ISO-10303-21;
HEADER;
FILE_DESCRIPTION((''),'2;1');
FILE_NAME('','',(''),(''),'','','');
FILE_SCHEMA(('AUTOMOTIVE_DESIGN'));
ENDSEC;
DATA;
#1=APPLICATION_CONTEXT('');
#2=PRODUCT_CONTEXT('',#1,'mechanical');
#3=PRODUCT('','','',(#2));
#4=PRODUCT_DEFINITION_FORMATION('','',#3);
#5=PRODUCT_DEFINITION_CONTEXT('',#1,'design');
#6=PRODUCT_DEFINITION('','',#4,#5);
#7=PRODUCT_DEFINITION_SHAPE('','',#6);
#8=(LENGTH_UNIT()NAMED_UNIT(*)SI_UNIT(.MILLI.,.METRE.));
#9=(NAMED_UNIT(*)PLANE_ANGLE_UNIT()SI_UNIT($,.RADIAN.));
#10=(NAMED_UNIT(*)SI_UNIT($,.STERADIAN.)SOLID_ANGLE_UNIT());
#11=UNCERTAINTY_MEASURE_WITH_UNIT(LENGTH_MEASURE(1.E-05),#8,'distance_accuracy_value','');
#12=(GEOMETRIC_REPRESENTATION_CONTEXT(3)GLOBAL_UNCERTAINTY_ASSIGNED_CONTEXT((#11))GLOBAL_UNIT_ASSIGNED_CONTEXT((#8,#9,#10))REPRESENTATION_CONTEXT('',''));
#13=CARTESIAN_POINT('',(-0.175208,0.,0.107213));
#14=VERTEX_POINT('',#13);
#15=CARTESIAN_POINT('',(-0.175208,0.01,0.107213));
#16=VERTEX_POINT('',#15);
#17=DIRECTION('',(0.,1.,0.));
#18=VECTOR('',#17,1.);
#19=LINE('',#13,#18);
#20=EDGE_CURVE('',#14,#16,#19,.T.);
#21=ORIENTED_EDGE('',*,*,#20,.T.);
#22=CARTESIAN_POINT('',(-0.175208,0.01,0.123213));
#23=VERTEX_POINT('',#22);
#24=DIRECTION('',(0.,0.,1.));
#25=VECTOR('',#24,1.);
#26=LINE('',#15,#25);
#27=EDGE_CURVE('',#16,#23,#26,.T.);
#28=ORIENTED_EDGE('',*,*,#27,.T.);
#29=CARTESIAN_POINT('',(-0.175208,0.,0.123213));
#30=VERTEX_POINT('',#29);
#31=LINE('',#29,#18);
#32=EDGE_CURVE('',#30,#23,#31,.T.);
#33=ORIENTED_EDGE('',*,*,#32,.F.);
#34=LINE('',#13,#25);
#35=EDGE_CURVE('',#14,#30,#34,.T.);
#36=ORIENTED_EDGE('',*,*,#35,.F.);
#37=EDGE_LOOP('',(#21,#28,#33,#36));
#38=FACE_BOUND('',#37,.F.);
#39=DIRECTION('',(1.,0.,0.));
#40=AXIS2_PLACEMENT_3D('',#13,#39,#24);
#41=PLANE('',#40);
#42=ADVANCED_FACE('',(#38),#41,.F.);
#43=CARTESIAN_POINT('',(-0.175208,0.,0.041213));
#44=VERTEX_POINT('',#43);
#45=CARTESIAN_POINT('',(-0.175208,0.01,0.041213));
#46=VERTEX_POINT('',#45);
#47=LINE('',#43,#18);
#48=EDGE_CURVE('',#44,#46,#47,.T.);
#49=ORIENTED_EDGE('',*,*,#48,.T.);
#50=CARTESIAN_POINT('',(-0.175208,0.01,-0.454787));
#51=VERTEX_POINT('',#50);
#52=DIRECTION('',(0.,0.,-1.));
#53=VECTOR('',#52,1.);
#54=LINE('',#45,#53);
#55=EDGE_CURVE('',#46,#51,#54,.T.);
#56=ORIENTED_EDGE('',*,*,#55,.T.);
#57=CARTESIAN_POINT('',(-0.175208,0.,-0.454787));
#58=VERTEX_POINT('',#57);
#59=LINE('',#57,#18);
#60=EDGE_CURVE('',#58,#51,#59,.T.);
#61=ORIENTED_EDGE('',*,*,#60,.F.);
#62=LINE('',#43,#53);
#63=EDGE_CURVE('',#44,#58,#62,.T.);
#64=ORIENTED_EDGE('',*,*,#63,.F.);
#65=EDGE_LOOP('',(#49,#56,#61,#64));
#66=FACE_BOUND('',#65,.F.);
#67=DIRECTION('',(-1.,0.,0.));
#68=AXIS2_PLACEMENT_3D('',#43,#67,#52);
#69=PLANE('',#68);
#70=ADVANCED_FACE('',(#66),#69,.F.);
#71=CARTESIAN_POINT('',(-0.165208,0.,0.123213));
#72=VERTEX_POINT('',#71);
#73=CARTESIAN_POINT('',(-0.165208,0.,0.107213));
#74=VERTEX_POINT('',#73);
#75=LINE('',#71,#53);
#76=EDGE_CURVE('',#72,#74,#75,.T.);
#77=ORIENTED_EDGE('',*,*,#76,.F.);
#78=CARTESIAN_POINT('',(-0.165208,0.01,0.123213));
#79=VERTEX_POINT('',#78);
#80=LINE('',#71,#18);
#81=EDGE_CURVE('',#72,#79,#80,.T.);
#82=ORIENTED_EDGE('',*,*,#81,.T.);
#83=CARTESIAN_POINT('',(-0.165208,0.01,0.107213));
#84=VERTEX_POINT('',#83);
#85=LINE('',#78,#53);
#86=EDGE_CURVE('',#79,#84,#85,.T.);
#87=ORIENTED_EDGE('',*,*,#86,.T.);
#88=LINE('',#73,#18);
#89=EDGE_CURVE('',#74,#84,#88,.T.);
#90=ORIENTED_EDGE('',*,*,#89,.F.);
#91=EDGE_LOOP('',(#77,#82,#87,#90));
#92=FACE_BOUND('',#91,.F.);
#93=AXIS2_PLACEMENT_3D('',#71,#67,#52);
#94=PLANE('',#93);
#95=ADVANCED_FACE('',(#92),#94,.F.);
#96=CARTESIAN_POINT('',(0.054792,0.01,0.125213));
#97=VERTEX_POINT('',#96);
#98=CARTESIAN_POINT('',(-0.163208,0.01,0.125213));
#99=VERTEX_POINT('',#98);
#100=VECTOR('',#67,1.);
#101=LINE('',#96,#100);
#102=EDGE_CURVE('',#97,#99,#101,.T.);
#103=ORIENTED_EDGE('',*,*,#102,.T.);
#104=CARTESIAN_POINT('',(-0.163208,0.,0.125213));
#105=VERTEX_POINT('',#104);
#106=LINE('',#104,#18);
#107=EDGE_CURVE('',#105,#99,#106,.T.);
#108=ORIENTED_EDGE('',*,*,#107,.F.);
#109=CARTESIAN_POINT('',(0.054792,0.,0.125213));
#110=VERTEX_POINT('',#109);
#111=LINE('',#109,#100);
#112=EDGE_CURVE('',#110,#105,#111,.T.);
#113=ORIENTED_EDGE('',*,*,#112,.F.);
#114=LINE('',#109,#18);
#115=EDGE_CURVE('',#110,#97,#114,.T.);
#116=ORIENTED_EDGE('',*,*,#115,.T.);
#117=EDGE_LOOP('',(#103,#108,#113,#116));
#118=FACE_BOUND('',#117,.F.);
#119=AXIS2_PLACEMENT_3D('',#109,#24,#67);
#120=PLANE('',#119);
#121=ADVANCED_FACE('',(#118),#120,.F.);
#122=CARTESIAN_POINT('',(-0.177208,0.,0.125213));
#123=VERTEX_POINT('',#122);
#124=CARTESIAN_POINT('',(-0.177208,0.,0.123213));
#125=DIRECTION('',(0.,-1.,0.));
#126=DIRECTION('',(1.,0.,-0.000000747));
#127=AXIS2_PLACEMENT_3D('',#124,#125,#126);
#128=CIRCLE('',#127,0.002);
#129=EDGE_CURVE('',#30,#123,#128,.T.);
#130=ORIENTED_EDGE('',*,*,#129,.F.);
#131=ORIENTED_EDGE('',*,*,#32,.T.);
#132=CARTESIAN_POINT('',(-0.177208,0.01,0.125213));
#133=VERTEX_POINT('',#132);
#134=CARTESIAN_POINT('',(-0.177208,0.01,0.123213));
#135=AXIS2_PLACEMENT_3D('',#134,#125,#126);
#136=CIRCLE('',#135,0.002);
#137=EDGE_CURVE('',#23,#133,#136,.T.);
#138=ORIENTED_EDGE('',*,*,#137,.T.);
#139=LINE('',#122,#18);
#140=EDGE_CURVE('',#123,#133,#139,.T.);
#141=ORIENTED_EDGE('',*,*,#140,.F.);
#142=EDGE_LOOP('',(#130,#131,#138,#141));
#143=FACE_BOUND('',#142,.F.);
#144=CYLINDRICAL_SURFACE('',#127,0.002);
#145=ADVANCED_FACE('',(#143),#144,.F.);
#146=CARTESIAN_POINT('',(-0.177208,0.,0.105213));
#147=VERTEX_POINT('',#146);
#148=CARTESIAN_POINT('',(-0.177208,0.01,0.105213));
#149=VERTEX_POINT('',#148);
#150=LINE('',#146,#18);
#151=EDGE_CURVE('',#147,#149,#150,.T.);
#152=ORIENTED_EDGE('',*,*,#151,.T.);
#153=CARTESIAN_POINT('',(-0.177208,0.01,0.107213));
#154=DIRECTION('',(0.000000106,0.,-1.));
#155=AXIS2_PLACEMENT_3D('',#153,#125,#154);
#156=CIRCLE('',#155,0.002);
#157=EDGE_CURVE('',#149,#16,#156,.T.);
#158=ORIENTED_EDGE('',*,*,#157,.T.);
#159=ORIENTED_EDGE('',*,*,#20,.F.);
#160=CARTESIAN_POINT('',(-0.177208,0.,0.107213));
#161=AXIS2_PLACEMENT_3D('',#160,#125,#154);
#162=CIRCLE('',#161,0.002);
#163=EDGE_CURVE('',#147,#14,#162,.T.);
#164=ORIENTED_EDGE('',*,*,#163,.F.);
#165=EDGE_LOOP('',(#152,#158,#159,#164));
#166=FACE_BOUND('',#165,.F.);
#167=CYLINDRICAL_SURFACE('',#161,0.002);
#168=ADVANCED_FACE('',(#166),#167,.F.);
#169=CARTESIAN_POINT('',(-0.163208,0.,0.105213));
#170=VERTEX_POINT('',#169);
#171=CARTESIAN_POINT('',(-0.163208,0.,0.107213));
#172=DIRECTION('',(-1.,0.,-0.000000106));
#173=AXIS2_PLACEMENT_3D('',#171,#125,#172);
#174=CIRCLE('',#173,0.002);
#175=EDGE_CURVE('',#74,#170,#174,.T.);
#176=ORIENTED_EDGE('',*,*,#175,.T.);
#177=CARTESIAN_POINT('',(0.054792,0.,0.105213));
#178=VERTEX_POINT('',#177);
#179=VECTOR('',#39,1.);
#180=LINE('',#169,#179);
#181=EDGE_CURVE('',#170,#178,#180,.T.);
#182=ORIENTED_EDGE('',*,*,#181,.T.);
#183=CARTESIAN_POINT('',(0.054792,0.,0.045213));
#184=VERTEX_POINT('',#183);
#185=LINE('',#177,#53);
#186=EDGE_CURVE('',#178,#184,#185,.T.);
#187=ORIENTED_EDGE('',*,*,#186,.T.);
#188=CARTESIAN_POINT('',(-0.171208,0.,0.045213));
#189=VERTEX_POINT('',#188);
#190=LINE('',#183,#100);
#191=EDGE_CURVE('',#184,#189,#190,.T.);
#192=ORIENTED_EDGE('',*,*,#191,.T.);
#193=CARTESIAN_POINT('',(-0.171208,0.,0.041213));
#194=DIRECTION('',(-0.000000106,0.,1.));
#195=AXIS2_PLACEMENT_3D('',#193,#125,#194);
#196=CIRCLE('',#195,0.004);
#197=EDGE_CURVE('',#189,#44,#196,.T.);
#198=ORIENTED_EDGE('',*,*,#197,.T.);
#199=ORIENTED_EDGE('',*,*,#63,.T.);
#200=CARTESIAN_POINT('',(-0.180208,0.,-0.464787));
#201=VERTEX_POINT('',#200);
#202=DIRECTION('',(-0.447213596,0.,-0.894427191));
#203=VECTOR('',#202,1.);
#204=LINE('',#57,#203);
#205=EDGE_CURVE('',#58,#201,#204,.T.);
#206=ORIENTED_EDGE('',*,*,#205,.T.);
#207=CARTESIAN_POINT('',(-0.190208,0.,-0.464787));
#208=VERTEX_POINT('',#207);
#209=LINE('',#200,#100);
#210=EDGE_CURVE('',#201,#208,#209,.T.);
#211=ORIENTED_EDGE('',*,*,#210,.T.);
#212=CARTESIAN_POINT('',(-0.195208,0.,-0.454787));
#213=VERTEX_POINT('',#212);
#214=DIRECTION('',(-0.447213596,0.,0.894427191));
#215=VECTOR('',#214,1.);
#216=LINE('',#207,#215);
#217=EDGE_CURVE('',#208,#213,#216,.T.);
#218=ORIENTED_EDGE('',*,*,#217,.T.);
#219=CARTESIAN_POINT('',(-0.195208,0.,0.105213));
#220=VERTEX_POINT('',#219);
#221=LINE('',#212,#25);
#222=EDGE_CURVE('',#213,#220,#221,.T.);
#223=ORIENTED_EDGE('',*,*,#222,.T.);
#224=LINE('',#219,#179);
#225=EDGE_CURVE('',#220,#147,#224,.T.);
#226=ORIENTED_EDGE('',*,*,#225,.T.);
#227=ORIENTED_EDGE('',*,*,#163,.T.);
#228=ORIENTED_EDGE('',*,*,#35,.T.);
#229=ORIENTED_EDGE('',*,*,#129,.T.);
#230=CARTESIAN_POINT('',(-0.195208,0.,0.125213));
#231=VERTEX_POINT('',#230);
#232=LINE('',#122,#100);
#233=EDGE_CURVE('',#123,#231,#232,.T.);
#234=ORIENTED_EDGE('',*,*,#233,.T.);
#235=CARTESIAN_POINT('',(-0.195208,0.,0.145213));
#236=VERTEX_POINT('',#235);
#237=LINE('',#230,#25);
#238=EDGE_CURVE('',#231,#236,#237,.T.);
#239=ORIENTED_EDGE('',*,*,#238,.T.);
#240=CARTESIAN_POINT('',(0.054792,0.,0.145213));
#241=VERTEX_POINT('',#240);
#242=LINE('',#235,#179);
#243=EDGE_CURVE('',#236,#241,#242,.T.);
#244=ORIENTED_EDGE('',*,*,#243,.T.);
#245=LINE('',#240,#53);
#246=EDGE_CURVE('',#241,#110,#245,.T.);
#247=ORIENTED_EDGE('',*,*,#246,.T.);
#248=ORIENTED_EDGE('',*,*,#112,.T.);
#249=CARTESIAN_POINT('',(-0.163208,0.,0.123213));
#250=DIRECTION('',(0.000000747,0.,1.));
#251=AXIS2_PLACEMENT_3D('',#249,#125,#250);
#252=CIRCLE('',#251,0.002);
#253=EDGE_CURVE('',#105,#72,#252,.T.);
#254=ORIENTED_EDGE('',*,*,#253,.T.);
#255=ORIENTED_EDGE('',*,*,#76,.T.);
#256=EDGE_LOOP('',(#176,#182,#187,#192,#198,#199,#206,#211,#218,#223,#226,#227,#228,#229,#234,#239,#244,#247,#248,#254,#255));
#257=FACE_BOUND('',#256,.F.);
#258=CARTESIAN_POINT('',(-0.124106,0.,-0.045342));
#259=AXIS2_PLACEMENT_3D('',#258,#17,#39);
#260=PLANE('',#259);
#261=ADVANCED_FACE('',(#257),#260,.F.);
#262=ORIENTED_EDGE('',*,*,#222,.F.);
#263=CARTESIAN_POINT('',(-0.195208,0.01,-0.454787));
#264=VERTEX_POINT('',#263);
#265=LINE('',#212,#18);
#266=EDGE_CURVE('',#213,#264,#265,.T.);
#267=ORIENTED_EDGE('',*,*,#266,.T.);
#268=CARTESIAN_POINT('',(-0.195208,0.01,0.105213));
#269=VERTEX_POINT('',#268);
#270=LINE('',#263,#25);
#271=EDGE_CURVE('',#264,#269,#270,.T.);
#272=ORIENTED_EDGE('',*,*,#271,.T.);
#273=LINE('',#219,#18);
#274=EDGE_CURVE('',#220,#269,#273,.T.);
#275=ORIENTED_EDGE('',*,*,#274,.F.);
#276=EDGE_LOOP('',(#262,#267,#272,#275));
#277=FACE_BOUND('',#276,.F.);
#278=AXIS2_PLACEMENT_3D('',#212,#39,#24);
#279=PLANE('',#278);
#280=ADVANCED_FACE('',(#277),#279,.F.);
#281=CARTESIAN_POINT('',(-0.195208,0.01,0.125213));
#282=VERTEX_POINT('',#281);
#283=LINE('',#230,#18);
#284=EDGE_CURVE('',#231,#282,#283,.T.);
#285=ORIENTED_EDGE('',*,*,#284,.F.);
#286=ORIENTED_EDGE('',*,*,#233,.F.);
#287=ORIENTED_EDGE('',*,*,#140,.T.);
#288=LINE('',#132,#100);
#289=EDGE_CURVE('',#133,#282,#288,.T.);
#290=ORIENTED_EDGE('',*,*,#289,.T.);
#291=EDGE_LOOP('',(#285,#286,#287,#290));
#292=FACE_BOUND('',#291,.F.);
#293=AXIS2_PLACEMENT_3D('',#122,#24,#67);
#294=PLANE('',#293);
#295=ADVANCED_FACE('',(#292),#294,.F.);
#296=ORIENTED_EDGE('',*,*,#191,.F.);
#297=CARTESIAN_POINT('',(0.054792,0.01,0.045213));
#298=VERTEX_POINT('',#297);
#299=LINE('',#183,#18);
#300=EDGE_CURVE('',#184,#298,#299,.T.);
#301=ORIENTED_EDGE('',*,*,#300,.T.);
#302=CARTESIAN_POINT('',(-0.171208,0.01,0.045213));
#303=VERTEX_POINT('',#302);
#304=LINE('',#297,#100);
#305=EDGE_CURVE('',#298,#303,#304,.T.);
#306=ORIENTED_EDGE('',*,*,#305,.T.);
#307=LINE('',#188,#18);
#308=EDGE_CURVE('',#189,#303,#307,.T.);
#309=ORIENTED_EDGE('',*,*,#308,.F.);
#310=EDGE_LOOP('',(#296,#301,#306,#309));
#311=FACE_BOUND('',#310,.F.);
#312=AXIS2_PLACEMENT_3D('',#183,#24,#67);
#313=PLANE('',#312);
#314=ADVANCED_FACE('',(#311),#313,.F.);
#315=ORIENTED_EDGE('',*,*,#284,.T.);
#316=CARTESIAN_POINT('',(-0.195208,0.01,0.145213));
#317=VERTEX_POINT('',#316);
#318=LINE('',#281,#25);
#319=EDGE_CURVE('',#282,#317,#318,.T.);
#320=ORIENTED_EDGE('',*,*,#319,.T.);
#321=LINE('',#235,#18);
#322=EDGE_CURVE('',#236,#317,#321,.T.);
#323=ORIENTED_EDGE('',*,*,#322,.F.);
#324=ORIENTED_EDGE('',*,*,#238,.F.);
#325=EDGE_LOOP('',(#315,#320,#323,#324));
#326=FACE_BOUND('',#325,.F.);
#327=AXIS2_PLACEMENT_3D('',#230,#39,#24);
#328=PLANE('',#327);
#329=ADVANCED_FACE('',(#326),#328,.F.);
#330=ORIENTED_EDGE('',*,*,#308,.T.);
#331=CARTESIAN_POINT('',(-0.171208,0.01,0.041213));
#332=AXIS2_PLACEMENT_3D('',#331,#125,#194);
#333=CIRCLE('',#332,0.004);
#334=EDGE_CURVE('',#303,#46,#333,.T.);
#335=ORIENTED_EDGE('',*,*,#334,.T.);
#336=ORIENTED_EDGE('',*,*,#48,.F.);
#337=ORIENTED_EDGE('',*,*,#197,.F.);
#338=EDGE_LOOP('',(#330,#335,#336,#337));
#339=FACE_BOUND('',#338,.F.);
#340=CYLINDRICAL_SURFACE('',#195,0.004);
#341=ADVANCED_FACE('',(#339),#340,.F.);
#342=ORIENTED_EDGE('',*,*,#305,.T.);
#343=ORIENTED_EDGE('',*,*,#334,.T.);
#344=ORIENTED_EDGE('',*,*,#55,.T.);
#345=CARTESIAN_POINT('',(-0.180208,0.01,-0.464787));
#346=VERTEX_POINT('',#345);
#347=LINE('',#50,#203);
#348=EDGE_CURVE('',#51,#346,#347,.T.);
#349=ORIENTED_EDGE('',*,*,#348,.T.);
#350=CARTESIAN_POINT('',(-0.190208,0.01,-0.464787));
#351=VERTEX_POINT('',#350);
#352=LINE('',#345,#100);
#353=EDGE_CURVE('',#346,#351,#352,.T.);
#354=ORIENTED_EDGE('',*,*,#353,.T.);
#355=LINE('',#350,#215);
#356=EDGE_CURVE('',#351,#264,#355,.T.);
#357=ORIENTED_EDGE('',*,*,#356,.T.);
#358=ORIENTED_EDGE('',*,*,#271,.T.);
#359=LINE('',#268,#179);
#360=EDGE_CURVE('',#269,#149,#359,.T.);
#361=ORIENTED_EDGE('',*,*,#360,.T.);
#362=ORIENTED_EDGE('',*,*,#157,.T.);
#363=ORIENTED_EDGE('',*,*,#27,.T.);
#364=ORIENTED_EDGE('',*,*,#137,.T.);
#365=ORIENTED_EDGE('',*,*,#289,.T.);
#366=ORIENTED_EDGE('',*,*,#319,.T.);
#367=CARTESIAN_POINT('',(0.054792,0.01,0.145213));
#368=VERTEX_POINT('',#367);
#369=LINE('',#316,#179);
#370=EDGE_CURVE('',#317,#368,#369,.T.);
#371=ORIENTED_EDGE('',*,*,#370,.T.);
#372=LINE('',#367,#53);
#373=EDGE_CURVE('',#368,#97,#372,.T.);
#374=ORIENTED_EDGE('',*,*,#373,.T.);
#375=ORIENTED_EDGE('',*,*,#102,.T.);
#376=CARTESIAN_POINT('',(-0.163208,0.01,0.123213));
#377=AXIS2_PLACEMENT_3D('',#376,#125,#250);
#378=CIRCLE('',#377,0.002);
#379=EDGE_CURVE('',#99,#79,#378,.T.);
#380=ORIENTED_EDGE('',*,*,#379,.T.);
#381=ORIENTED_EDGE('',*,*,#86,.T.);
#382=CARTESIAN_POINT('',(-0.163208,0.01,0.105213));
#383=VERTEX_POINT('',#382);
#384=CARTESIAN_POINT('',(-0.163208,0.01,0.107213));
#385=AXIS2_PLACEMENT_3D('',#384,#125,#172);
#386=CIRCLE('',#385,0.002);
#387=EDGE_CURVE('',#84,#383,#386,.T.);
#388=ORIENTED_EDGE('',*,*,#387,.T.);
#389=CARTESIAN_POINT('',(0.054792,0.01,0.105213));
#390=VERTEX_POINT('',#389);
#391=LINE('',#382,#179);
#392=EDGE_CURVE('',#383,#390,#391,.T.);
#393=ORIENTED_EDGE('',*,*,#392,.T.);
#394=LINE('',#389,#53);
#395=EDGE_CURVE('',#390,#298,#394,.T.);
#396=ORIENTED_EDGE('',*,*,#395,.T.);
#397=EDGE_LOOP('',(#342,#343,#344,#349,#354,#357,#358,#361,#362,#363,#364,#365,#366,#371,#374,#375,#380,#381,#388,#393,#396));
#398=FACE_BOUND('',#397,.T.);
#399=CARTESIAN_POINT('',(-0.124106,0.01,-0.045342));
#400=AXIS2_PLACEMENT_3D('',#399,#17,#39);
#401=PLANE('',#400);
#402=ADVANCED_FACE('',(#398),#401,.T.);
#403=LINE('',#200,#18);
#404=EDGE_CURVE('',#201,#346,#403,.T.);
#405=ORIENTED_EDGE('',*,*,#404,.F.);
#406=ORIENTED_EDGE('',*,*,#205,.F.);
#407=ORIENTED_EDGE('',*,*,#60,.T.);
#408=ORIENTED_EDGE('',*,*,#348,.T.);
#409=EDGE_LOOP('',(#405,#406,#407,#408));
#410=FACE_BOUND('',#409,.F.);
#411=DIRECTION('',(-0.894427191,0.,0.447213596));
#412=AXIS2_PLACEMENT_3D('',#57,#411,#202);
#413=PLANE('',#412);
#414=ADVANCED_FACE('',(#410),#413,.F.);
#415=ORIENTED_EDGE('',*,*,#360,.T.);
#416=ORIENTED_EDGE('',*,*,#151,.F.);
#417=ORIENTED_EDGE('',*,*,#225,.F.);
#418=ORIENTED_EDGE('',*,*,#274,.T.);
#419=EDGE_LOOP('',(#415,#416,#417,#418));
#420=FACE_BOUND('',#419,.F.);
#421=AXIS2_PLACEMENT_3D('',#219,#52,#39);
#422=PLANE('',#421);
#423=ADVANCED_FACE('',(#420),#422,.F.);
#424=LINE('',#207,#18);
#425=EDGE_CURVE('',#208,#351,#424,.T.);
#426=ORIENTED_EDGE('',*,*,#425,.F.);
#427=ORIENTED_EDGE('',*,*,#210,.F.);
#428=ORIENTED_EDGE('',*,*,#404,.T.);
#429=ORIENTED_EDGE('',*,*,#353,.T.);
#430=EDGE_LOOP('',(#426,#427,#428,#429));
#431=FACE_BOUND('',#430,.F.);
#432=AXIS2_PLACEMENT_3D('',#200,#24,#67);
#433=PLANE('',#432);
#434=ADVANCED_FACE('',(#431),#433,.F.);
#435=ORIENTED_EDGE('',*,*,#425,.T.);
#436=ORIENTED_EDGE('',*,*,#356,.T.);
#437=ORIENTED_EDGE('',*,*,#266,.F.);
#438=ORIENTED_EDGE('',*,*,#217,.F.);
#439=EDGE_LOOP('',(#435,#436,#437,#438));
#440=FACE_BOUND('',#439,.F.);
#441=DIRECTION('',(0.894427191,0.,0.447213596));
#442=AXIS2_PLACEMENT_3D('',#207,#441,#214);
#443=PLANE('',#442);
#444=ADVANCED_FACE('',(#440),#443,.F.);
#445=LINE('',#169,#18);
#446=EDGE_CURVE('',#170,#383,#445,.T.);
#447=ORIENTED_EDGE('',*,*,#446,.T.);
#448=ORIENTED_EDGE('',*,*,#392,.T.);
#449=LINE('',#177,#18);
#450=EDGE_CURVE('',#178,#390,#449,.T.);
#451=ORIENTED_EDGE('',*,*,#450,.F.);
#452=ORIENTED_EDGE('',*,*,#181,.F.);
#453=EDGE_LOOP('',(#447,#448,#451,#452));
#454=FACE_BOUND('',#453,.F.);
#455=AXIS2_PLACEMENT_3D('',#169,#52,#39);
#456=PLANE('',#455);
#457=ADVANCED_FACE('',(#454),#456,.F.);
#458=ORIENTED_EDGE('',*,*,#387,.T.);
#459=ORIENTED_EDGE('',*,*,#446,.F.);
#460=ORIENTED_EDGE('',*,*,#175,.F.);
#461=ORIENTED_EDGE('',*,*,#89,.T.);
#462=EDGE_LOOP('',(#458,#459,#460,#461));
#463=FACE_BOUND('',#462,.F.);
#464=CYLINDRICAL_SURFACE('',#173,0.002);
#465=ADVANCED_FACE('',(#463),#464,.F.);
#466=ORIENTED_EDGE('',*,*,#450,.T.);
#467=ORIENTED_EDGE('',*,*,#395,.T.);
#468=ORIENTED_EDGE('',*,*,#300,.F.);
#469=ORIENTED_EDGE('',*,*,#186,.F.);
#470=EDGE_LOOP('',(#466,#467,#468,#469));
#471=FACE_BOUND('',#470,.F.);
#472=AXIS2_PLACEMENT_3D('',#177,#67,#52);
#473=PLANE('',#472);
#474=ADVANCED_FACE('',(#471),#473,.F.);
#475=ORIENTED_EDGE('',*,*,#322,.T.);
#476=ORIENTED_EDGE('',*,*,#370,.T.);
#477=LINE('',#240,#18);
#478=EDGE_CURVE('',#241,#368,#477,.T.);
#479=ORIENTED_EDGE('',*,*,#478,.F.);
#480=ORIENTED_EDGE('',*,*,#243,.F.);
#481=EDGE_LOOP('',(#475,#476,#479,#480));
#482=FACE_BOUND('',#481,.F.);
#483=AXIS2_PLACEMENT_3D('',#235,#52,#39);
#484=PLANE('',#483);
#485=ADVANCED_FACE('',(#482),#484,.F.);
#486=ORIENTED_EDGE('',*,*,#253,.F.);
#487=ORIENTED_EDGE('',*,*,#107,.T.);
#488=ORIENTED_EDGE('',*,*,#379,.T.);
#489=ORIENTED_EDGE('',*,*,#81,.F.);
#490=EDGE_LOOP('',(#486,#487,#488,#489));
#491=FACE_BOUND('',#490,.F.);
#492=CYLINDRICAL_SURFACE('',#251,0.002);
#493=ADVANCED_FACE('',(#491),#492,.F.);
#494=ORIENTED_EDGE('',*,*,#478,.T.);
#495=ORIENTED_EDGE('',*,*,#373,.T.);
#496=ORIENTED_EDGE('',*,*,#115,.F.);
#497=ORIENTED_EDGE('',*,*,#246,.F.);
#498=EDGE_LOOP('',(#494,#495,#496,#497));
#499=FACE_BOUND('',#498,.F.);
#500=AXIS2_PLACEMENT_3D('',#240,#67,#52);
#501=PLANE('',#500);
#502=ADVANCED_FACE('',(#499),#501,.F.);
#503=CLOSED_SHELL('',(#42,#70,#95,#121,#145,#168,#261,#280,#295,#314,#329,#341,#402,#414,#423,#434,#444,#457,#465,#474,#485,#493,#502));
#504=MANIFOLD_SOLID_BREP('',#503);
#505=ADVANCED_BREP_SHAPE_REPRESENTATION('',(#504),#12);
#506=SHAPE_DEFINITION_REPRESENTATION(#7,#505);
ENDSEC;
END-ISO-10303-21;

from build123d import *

# Parameters (mm, degrees)
BOSS_EXTRUDE1_DEPTH = 0.01


with BuildPart() as part:
    # Sketch1 → Boss-Extrude1 (new body)
    with BuildSketch(Plane(origin=(0, 0, 0), x_dir=(1, 0, 0), z_dir=(0, 1, 0))):
        with BuildLine():
            Line((-0.175207919, 0.454787097), (-0.180207919, 0.464787097))
            Line((-0.180207919, 0.464787097), (-0.190207919, 0.464787097))
            Line((-0.190207919, 0.464787097), (-0.195207919, 0.454787097))
            Line((-0.195207919, 0.454787097), (-0.195207919, -0.065212903))
            Line((-0.195207919, -0.065212903), (-0.195207919, -0.105212903))
            Line((-0.195207919, -0.105212903), (-0.177207919, -0.105212903))
            ThreePointArc((-0.177207919, -0.105212903), (-0.175793705, -0.10579869), (-0.175207919, -0.107212903))
            Line((-0.175207919, -0.107212903), (-0.175207919, -0.123212903))
            ThreePointArc((-0.175207919, -0.123212903), (-0.175793705, -0.124627117), (-0.177207919, -0.125212903))
            Line((-0.177207919, -0.125212903), (-0.195207919, -0.125212903))
            Line((-0.195207919, -0.125212903), (-0.195207919, -0.145212903))
            Line((-0.195207919, -0.145212903), (0.054792081, -0.145212903))
            Line((0.054792081, -0.145212903), (0.054792081, -0.125212903))
            Line((0.054792081, -0.125212903), (-0.163207919, -0.125212903))
            ThreePointArc((-0.163207919, -0.125212903), (-0.164622133, -0.124627117), (-0.165207919, -0.123212903))
            Line((-0.165207919, -0.123212903), (-0.165207919, -0.107212903))
            ThreePointArc((-0.165207919, -0.107212903), (-0.164622133, -0.10579869), (-0.163207919, -0.105212903))
            Line((-0.163207919, -0.105212903), (0.054792081, -0.105212903))
            Line((0.054792081, -0.105212903), (0.054792081, -0.045212903))
            Line((0.054792081, -0.045212903), (-0.171207919, -0.045212903))
            ThreePointArc((-0.171207919, -0.045212903), (-0.174036346, -0.04404133), (-0.175207919, -0.041212903))
            Line((-0.175207919, -0.041212903), (-0.175207919, 0.454787097))
        make_face()
    extrude(amount=BOSS_EXTRUDE1_DEPTH)


solid = part.part
